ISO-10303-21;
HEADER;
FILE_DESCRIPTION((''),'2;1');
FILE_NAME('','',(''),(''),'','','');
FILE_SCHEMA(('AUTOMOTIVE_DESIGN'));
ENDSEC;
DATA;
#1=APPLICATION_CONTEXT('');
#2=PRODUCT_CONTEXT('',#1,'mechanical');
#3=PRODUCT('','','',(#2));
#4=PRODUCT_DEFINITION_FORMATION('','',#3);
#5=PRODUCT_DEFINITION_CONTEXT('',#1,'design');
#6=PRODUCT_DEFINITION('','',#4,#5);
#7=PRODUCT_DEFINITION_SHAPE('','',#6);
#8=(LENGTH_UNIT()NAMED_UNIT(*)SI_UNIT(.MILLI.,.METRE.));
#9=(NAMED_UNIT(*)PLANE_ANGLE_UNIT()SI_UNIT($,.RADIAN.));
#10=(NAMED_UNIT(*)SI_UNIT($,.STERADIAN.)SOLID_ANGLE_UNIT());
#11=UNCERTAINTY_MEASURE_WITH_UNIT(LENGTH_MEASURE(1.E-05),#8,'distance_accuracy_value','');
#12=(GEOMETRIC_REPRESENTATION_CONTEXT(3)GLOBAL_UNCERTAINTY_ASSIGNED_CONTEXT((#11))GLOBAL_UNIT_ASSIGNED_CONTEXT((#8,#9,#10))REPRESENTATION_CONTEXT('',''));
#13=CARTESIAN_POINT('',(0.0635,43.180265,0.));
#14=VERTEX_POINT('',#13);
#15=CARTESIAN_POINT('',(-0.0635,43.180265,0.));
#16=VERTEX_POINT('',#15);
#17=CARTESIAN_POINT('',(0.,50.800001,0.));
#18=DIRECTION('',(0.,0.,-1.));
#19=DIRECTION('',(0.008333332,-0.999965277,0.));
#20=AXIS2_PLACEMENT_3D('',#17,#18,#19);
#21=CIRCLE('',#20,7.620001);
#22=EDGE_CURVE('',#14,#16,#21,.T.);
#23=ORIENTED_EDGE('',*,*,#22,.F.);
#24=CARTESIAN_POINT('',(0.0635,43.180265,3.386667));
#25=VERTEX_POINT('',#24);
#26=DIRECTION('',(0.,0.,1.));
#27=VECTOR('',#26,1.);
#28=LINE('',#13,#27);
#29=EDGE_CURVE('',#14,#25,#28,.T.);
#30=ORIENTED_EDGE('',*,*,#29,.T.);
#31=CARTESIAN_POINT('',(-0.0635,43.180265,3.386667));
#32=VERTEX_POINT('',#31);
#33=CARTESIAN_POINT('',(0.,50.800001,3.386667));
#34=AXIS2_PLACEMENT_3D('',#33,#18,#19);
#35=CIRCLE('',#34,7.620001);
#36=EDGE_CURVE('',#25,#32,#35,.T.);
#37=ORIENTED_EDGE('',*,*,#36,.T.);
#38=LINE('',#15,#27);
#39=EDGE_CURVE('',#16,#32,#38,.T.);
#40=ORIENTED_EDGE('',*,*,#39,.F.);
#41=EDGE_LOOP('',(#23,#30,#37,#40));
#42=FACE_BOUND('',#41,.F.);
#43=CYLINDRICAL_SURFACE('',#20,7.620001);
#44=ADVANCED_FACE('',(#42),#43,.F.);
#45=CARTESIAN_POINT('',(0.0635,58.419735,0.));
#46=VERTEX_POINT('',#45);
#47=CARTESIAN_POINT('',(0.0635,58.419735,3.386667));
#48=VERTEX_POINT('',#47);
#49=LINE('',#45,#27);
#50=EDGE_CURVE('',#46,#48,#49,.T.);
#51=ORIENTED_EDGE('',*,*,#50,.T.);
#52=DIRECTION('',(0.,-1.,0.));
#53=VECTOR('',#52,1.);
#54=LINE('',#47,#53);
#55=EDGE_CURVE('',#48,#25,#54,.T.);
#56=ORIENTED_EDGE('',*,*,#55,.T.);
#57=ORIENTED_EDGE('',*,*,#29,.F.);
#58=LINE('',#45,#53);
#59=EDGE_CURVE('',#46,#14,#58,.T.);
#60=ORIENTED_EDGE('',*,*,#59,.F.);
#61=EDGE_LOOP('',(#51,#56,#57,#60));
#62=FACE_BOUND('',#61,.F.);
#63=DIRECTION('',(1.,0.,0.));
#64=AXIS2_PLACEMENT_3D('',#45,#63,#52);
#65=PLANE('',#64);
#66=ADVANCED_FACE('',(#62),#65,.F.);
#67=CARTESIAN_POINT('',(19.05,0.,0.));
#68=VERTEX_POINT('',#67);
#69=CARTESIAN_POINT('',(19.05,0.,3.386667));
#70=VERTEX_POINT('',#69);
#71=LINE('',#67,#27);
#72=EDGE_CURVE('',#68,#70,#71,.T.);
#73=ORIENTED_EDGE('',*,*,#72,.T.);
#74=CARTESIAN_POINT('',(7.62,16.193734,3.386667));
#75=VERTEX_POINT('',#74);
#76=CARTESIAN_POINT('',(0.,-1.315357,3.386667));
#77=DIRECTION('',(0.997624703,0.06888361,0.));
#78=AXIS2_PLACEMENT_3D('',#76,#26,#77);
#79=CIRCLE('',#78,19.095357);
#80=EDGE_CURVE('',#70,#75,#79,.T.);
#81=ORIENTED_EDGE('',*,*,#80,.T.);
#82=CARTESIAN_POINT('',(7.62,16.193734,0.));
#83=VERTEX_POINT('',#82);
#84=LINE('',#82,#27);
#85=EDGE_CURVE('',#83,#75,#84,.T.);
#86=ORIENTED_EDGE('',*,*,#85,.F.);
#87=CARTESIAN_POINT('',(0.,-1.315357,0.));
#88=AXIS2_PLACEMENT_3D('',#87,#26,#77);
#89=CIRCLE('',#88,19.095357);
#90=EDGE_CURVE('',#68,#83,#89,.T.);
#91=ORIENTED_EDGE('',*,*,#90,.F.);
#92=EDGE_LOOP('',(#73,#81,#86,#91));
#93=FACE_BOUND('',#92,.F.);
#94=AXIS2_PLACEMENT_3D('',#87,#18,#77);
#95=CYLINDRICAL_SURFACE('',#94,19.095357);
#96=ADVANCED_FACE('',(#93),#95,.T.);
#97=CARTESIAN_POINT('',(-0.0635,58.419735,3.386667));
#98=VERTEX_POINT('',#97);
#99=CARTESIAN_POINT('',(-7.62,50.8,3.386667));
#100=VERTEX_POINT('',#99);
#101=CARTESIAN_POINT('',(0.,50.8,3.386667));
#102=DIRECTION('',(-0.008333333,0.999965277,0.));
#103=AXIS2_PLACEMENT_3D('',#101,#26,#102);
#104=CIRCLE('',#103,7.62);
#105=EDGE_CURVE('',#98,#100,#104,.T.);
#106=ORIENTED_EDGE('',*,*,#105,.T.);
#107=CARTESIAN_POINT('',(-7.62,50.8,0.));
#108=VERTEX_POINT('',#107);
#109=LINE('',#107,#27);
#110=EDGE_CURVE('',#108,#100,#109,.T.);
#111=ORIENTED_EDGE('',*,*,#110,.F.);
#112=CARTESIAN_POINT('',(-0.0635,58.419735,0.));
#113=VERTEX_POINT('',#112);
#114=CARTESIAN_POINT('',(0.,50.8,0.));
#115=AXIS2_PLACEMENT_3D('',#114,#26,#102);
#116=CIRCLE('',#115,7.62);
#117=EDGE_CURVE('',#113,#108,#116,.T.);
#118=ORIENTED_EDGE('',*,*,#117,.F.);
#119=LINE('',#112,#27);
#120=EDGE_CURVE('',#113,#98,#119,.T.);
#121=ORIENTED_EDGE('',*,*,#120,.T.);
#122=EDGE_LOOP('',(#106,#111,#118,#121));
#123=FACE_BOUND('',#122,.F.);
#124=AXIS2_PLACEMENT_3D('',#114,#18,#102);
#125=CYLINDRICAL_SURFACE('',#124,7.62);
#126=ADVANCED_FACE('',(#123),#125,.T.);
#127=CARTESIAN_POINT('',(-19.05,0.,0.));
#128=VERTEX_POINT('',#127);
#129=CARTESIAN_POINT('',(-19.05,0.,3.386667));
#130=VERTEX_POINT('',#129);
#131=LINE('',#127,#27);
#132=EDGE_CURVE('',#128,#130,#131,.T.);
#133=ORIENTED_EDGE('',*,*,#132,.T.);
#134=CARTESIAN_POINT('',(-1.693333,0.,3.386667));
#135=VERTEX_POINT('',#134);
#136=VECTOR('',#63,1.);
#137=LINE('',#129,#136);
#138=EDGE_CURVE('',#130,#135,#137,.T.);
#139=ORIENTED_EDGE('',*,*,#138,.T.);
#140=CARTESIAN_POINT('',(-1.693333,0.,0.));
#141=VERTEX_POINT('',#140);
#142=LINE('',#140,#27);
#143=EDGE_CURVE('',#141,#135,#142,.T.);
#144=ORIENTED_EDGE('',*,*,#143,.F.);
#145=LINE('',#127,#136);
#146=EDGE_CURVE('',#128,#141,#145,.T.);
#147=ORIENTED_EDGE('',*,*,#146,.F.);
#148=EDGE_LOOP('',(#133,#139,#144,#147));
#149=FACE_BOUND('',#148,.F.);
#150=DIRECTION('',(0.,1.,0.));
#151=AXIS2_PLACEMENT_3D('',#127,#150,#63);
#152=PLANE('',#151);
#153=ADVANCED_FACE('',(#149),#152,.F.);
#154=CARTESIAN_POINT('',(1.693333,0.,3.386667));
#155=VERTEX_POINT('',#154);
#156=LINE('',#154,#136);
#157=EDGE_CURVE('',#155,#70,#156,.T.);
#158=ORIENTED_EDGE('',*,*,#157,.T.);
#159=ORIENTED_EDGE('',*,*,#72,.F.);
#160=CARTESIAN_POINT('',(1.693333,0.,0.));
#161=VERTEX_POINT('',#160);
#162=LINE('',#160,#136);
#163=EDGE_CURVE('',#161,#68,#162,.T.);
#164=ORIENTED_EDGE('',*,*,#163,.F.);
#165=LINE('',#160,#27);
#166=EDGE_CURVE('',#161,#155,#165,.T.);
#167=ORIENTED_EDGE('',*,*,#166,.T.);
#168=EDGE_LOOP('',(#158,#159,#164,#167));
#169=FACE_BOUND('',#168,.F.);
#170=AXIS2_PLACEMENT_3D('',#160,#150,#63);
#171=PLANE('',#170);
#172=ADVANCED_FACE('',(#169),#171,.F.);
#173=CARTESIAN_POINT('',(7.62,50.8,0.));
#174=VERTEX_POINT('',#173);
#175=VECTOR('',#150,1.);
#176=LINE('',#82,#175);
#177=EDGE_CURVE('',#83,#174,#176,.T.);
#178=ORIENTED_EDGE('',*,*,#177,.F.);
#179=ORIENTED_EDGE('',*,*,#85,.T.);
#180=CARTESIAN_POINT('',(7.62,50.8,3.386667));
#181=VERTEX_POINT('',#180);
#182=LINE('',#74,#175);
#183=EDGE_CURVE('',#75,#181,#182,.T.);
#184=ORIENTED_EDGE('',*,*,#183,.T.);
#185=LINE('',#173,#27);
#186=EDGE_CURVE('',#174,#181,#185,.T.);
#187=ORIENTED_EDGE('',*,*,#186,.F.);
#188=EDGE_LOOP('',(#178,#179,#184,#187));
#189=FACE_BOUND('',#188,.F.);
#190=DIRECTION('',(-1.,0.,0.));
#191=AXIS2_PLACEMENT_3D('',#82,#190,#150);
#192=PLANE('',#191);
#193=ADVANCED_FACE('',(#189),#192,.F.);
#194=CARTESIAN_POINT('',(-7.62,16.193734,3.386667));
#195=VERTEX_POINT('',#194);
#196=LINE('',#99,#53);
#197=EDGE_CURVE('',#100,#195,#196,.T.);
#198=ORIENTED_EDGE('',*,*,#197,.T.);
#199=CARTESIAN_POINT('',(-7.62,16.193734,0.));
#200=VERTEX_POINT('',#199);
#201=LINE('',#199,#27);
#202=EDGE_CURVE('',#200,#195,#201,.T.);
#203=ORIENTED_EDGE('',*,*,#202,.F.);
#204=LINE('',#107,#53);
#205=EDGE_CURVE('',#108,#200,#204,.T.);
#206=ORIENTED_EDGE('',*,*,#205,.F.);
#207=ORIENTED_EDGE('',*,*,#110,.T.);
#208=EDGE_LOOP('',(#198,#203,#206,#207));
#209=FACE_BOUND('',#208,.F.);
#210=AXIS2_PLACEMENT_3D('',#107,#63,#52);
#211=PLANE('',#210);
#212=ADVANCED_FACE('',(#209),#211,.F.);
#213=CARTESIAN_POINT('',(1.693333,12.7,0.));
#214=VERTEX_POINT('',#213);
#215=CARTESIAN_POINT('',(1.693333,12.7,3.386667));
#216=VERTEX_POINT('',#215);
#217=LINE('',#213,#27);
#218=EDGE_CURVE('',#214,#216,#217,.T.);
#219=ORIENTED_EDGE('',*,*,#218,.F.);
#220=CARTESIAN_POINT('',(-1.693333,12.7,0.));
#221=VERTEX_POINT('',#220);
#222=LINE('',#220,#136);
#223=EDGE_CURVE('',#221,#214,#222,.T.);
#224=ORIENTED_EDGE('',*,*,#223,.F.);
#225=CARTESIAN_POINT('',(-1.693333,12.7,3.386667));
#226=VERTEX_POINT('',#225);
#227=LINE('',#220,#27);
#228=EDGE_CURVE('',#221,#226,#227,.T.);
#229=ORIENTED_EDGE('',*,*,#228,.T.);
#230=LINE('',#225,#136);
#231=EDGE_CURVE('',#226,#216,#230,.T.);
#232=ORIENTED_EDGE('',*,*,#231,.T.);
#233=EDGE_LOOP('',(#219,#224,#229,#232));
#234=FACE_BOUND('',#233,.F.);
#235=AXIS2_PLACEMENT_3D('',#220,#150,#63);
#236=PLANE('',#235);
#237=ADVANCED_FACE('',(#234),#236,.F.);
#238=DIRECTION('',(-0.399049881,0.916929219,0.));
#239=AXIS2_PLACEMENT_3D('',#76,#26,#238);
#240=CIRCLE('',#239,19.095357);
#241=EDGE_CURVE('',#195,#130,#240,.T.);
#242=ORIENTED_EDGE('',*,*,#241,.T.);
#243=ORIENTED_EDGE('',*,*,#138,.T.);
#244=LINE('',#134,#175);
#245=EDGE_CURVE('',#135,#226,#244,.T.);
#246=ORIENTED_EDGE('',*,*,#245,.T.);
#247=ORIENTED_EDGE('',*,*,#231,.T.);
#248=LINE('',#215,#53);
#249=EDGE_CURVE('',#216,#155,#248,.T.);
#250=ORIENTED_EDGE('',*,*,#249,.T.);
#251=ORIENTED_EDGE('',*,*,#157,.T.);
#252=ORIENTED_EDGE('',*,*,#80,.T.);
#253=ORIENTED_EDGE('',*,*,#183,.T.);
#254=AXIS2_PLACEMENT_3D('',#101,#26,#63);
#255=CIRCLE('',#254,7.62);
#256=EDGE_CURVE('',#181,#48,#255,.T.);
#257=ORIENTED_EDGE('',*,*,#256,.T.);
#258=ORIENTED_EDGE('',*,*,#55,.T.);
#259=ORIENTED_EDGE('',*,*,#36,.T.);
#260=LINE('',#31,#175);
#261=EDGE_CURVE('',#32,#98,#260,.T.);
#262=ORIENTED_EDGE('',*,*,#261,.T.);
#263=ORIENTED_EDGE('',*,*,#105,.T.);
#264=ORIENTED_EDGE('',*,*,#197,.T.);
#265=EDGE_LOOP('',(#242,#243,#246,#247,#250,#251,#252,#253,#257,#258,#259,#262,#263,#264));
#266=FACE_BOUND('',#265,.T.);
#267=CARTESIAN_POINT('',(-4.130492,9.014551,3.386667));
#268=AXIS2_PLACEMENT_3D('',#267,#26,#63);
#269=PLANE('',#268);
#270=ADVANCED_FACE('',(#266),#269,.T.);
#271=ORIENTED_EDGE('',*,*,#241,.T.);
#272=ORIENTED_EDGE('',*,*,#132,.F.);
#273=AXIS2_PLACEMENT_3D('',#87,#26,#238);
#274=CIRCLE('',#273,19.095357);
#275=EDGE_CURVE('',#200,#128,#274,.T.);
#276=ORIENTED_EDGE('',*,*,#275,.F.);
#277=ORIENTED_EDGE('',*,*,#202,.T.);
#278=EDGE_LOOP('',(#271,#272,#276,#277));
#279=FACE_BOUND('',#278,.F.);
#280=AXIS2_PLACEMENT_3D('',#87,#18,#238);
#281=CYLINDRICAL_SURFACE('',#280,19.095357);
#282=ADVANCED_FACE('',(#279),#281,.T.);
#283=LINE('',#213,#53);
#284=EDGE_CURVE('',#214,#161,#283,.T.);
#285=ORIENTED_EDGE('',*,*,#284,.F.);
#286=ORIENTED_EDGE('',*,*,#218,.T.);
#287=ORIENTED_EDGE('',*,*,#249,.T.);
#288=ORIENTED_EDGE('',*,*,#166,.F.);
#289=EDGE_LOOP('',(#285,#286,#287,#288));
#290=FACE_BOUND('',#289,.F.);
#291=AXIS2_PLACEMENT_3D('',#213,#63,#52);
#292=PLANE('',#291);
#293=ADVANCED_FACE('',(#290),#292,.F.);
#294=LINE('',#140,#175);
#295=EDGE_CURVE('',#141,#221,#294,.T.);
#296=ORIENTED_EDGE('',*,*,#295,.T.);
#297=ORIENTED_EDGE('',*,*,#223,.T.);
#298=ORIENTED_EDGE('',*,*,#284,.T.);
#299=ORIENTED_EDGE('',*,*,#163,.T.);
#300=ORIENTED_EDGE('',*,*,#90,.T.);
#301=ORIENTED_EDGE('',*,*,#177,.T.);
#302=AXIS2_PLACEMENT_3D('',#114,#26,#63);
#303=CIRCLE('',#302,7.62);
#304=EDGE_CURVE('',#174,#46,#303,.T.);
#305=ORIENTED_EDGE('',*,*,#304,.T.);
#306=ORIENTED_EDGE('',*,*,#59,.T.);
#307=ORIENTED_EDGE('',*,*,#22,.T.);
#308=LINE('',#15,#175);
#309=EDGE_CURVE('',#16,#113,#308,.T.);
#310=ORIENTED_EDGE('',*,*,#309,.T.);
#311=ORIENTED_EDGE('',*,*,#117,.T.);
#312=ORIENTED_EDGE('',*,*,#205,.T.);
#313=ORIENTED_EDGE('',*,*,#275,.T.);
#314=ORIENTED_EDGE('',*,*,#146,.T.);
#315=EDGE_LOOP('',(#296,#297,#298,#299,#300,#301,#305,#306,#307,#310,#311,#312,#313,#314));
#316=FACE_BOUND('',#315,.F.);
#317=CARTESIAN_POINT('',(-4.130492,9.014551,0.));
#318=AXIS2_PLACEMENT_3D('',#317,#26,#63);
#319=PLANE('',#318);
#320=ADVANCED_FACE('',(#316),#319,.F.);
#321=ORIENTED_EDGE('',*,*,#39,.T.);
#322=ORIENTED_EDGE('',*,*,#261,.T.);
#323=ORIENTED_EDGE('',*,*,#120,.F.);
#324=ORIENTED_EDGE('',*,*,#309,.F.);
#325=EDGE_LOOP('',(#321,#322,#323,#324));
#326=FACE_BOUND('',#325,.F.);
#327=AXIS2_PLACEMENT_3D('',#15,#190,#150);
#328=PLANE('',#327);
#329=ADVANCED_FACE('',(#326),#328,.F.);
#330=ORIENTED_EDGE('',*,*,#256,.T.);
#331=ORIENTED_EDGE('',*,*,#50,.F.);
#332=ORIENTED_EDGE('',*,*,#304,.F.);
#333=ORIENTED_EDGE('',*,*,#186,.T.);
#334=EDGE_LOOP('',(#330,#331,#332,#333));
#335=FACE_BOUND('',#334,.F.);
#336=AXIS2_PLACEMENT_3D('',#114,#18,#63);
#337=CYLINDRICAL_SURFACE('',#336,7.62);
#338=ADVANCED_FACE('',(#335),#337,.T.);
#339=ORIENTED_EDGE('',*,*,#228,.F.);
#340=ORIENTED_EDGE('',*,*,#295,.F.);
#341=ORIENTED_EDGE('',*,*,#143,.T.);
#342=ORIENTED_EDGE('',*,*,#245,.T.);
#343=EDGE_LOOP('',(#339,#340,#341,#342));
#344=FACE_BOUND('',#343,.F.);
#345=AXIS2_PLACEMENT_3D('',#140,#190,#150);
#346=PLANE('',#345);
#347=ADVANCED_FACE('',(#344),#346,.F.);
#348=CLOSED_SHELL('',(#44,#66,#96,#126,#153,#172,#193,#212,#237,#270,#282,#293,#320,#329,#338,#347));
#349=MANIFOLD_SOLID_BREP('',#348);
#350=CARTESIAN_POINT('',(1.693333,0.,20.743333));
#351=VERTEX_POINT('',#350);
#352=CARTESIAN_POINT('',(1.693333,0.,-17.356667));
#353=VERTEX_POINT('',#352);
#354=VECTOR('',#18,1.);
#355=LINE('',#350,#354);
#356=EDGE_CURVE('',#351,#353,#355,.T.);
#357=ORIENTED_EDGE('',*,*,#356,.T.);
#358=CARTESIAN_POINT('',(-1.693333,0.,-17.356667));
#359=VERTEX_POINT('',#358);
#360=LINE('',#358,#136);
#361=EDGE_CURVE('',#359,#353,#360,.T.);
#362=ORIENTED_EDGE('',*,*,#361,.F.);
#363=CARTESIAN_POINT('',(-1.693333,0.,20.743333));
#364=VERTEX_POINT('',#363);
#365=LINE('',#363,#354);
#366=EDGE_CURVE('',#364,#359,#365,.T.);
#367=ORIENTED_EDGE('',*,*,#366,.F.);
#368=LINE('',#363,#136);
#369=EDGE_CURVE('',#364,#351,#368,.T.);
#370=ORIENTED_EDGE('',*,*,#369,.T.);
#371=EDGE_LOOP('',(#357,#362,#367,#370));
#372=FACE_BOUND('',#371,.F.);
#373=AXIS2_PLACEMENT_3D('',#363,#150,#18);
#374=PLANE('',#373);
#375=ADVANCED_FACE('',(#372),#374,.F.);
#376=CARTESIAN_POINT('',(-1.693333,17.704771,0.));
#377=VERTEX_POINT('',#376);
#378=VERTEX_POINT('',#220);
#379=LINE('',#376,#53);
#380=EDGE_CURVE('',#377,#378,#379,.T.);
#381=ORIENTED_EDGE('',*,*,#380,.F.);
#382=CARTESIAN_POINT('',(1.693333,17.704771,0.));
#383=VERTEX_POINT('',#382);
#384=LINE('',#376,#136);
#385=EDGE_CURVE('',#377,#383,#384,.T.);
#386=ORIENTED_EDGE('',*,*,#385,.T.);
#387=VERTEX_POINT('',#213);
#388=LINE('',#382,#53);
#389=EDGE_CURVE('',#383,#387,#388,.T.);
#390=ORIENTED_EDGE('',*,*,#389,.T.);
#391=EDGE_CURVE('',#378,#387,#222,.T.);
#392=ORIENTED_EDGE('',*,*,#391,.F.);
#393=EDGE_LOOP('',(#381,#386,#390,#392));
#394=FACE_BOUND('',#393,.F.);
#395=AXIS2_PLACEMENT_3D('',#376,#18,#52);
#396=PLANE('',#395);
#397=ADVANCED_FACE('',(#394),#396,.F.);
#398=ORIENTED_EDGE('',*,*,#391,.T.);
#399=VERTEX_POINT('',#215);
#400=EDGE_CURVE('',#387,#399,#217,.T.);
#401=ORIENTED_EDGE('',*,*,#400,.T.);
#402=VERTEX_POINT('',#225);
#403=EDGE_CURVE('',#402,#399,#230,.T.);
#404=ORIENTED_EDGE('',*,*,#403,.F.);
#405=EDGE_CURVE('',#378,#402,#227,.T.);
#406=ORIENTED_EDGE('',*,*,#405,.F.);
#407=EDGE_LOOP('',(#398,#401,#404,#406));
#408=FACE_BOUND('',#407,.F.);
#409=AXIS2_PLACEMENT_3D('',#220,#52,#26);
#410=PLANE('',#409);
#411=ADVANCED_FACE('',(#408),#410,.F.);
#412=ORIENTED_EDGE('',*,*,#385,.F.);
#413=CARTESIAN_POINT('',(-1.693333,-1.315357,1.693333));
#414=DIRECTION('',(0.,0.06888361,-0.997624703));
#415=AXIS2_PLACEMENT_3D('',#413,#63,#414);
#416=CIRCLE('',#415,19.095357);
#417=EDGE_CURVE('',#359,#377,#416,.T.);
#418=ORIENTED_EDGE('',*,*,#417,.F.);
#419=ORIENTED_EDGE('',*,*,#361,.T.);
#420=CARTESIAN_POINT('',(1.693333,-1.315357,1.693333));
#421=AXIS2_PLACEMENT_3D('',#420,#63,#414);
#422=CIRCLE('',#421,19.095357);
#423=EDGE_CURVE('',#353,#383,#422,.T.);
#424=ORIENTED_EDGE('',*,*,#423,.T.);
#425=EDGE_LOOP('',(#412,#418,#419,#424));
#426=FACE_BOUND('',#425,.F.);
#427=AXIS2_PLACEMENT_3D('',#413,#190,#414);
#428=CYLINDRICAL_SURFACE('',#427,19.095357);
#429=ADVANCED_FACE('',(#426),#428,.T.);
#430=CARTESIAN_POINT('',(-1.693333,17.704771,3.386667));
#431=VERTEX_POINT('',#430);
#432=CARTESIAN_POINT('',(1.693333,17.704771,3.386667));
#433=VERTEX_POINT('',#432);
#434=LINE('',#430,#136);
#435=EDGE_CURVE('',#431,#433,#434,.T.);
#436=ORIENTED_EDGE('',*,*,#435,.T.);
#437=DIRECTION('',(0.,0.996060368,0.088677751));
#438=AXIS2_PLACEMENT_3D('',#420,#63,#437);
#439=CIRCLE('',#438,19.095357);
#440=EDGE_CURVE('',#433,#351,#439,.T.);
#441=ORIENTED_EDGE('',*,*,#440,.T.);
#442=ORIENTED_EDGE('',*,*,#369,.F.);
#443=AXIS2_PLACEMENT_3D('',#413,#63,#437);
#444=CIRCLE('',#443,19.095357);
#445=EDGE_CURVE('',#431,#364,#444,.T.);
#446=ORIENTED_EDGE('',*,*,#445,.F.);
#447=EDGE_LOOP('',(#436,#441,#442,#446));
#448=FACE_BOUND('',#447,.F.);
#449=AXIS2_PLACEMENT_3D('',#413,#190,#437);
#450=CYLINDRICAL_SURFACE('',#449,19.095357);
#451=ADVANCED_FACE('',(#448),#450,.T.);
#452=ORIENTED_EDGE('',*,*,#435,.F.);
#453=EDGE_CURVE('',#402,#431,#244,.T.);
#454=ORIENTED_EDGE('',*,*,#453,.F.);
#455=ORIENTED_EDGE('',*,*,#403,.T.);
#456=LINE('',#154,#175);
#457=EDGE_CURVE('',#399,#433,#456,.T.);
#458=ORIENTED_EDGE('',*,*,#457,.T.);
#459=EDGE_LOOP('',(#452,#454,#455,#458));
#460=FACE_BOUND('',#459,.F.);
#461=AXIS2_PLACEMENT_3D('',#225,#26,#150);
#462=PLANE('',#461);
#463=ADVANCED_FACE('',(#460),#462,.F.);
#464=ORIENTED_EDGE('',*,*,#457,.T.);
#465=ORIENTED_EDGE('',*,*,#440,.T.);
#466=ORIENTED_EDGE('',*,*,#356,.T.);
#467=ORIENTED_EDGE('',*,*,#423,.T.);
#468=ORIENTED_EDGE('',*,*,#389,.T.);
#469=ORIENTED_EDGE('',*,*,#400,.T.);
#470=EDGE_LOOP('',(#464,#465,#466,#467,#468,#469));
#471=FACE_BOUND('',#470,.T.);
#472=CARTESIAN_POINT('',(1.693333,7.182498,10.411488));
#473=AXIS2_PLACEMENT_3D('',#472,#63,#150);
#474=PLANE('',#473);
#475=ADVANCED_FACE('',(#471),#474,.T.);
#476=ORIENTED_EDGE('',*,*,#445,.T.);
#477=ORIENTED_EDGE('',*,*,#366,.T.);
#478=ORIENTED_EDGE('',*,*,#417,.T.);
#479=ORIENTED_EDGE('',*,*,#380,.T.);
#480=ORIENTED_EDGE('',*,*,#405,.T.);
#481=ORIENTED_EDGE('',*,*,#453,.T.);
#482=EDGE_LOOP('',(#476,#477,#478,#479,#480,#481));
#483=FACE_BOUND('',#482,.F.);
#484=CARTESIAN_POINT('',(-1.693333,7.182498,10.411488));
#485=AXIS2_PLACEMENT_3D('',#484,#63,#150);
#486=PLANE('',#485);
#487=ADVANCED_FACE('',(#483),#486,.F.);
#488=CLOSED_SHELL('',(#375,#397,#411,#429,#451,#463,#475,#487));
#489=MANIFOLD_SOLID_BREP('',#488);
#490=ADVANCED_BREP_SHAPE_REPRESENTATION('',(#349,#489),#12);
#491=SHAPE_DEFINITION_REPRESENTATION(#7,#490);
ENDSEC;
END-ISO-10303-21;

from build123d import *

# Parameters (mm, degrees)
F1_DEPTH = 3.3866666667
F2_W     = 12.7
F2_H     = 1.6933333333
F3_DEPTH = 3.3866666667


with BuildPart() as f1:
    # F0 (on Top) → F1 (new body)
    with BuildSketch(Plane.XY):
        with BuildLine():
            Line((-1.6933333333, 12.7), (0, 12.7))
            Line((0, 12.7), (0, 17.78))
            ThreePointArc((0, 17.78), (-3.8916783195, 17.3792277488), (-7.62, 16.1937337648))
            Line((-7.62, 16.1937337648), (-7.62, 0))
            Line((-7.62, 0), (-1.6933333333, 0))
            Line((-1.6933333333, 0), (-1.6933333333, 12.7))
        make_face()
        with BuildLine():
            Line((1.6933333333, 12.7), (1.6933333333, 0))
            Line((1.6933333333, 0), (7.62, 0))
            Line((7.62, 0), (7.62, 16.1937337648))
            ThreePointArc((7.62, 16.1937337648), (3.8916783195, 17.3792277488), (0, 17.78))
            Line((0, 17.78), (0, 12.7))
            Line((0, 12.7), (1.6933333333, 12.7))
        make_face()
        with BuildLine():
            Line((7.62, 16.1937337648), (7.62, 0))
            Line((7.62, 0), (19.05, 0))
            ThreePointArc((19.05, 0), (15.6006883922, 9.6960544879), (7.62, 16.1937337648))
        make_face()
        with BuildLine():
            Line((-19.05, 0), (-7.62, 0))
            Line((-7.62, 0), (-7.62, 16.1937337648))
            ThreePointArc((-7.62, 16.1937337648), (-15.6006883922, 9.6960544879), (-19.05, 0))
        make_face()
        with BuildLine():
            ThreePointArc((0.0635, 43.1802645879), (5.4105577347, 45.4343439357), (7.62, 50.8))
            ThreePointArc((7.62, 50.8), (5.4105577347, 56.1656560643), (0.0635, 58.4197354121))
            Line((0.0635, 58.4197354121), (0.0635, 50.8))
            Line((0.0635, 50.8), (0.0635, 43.1802645879))
        make_face()
        with BuildLine():
            ThreePointArc((-0.0635, 58.4197354121), (-5.4105577347, 56.1656560643), (-7.62, 50.8))
            ThreePointArc((-7.62, 50.8), (-5.4105577347, 45.4343439357), (-0.0635, 43.1802645879))
            Line((-0.0635, 43.1802645879), (-0.0635, 50.8))
            Line((-0.0635, 50.8), (-0.0635, 58.4197354121))
        make_face()
        with BuildLine():
            ThreePointArc((-7.62, 16.1937337648), (-3.8916783195, 17.3792277488), (0, 17.78))
            ThreePointArc((0, 17.78), (3.8916783195, 17.3792277488), (7.62, 16.1937337648))
            Line((7.62, 16.1937337648), (7.62, 50.8))
            ThreePointArc((7.62, 50.8), (5.4105577347, 45.4343439357), (0.0635, 43.1802645879))
            ThreePointArc((0.0635, 43.1802645879), (0, 43.18), (-0.0635, 43.1802645879))
            ThreePointArc((-0.0635, 43.1802645879), (-5.4105577347, 45.4343439357), (-7.62, 50.8))
            Line((-7.62, 50.8), (-7.62, 16.1937337648))
        make_face()
    extrude(amount=F1_DEPTH)


with BuildPart() as f3:
    # F2 (on face) → F3 (new body)
    with BuildSketch(Plane.YZ.offset(-1.6933333333)):
        with BuildLine():
            Line((0, 20.7433333333), (0, 3.3866666667))
            Line((0, 3.3866666667), (12.7, 3.3866666667))
            Line((12.7, 3.3866666667), (17.7047713172, 3.3866666667))
            ThreePointArc((17.7047713172, 3.3866666667), (12.0523824986, 15.3291758556), (0, 20.7433333333))
        make_face()
        with BuildLine():
            Line((12.7, 0), (0, 0))
            Line((0, 0), (0, -17.3566666667))
            ThreePointArc((0, -17.3566666667), (12.0523824986, -11.942509189), (17.7047713172, 0))
            Line((17.7047713172, 0), (12.7, 0))
        make_face()
        with Locations((6.35, 0.8466666667)):
            Rectangle(F2_W, F2_H)
        with Locations((6.35, 2.54)):
            Rectangle(F2_W, F2_H)
    extrude(amount=F3_DEPTH)


solid = Compound([f1.part, f3.part])
